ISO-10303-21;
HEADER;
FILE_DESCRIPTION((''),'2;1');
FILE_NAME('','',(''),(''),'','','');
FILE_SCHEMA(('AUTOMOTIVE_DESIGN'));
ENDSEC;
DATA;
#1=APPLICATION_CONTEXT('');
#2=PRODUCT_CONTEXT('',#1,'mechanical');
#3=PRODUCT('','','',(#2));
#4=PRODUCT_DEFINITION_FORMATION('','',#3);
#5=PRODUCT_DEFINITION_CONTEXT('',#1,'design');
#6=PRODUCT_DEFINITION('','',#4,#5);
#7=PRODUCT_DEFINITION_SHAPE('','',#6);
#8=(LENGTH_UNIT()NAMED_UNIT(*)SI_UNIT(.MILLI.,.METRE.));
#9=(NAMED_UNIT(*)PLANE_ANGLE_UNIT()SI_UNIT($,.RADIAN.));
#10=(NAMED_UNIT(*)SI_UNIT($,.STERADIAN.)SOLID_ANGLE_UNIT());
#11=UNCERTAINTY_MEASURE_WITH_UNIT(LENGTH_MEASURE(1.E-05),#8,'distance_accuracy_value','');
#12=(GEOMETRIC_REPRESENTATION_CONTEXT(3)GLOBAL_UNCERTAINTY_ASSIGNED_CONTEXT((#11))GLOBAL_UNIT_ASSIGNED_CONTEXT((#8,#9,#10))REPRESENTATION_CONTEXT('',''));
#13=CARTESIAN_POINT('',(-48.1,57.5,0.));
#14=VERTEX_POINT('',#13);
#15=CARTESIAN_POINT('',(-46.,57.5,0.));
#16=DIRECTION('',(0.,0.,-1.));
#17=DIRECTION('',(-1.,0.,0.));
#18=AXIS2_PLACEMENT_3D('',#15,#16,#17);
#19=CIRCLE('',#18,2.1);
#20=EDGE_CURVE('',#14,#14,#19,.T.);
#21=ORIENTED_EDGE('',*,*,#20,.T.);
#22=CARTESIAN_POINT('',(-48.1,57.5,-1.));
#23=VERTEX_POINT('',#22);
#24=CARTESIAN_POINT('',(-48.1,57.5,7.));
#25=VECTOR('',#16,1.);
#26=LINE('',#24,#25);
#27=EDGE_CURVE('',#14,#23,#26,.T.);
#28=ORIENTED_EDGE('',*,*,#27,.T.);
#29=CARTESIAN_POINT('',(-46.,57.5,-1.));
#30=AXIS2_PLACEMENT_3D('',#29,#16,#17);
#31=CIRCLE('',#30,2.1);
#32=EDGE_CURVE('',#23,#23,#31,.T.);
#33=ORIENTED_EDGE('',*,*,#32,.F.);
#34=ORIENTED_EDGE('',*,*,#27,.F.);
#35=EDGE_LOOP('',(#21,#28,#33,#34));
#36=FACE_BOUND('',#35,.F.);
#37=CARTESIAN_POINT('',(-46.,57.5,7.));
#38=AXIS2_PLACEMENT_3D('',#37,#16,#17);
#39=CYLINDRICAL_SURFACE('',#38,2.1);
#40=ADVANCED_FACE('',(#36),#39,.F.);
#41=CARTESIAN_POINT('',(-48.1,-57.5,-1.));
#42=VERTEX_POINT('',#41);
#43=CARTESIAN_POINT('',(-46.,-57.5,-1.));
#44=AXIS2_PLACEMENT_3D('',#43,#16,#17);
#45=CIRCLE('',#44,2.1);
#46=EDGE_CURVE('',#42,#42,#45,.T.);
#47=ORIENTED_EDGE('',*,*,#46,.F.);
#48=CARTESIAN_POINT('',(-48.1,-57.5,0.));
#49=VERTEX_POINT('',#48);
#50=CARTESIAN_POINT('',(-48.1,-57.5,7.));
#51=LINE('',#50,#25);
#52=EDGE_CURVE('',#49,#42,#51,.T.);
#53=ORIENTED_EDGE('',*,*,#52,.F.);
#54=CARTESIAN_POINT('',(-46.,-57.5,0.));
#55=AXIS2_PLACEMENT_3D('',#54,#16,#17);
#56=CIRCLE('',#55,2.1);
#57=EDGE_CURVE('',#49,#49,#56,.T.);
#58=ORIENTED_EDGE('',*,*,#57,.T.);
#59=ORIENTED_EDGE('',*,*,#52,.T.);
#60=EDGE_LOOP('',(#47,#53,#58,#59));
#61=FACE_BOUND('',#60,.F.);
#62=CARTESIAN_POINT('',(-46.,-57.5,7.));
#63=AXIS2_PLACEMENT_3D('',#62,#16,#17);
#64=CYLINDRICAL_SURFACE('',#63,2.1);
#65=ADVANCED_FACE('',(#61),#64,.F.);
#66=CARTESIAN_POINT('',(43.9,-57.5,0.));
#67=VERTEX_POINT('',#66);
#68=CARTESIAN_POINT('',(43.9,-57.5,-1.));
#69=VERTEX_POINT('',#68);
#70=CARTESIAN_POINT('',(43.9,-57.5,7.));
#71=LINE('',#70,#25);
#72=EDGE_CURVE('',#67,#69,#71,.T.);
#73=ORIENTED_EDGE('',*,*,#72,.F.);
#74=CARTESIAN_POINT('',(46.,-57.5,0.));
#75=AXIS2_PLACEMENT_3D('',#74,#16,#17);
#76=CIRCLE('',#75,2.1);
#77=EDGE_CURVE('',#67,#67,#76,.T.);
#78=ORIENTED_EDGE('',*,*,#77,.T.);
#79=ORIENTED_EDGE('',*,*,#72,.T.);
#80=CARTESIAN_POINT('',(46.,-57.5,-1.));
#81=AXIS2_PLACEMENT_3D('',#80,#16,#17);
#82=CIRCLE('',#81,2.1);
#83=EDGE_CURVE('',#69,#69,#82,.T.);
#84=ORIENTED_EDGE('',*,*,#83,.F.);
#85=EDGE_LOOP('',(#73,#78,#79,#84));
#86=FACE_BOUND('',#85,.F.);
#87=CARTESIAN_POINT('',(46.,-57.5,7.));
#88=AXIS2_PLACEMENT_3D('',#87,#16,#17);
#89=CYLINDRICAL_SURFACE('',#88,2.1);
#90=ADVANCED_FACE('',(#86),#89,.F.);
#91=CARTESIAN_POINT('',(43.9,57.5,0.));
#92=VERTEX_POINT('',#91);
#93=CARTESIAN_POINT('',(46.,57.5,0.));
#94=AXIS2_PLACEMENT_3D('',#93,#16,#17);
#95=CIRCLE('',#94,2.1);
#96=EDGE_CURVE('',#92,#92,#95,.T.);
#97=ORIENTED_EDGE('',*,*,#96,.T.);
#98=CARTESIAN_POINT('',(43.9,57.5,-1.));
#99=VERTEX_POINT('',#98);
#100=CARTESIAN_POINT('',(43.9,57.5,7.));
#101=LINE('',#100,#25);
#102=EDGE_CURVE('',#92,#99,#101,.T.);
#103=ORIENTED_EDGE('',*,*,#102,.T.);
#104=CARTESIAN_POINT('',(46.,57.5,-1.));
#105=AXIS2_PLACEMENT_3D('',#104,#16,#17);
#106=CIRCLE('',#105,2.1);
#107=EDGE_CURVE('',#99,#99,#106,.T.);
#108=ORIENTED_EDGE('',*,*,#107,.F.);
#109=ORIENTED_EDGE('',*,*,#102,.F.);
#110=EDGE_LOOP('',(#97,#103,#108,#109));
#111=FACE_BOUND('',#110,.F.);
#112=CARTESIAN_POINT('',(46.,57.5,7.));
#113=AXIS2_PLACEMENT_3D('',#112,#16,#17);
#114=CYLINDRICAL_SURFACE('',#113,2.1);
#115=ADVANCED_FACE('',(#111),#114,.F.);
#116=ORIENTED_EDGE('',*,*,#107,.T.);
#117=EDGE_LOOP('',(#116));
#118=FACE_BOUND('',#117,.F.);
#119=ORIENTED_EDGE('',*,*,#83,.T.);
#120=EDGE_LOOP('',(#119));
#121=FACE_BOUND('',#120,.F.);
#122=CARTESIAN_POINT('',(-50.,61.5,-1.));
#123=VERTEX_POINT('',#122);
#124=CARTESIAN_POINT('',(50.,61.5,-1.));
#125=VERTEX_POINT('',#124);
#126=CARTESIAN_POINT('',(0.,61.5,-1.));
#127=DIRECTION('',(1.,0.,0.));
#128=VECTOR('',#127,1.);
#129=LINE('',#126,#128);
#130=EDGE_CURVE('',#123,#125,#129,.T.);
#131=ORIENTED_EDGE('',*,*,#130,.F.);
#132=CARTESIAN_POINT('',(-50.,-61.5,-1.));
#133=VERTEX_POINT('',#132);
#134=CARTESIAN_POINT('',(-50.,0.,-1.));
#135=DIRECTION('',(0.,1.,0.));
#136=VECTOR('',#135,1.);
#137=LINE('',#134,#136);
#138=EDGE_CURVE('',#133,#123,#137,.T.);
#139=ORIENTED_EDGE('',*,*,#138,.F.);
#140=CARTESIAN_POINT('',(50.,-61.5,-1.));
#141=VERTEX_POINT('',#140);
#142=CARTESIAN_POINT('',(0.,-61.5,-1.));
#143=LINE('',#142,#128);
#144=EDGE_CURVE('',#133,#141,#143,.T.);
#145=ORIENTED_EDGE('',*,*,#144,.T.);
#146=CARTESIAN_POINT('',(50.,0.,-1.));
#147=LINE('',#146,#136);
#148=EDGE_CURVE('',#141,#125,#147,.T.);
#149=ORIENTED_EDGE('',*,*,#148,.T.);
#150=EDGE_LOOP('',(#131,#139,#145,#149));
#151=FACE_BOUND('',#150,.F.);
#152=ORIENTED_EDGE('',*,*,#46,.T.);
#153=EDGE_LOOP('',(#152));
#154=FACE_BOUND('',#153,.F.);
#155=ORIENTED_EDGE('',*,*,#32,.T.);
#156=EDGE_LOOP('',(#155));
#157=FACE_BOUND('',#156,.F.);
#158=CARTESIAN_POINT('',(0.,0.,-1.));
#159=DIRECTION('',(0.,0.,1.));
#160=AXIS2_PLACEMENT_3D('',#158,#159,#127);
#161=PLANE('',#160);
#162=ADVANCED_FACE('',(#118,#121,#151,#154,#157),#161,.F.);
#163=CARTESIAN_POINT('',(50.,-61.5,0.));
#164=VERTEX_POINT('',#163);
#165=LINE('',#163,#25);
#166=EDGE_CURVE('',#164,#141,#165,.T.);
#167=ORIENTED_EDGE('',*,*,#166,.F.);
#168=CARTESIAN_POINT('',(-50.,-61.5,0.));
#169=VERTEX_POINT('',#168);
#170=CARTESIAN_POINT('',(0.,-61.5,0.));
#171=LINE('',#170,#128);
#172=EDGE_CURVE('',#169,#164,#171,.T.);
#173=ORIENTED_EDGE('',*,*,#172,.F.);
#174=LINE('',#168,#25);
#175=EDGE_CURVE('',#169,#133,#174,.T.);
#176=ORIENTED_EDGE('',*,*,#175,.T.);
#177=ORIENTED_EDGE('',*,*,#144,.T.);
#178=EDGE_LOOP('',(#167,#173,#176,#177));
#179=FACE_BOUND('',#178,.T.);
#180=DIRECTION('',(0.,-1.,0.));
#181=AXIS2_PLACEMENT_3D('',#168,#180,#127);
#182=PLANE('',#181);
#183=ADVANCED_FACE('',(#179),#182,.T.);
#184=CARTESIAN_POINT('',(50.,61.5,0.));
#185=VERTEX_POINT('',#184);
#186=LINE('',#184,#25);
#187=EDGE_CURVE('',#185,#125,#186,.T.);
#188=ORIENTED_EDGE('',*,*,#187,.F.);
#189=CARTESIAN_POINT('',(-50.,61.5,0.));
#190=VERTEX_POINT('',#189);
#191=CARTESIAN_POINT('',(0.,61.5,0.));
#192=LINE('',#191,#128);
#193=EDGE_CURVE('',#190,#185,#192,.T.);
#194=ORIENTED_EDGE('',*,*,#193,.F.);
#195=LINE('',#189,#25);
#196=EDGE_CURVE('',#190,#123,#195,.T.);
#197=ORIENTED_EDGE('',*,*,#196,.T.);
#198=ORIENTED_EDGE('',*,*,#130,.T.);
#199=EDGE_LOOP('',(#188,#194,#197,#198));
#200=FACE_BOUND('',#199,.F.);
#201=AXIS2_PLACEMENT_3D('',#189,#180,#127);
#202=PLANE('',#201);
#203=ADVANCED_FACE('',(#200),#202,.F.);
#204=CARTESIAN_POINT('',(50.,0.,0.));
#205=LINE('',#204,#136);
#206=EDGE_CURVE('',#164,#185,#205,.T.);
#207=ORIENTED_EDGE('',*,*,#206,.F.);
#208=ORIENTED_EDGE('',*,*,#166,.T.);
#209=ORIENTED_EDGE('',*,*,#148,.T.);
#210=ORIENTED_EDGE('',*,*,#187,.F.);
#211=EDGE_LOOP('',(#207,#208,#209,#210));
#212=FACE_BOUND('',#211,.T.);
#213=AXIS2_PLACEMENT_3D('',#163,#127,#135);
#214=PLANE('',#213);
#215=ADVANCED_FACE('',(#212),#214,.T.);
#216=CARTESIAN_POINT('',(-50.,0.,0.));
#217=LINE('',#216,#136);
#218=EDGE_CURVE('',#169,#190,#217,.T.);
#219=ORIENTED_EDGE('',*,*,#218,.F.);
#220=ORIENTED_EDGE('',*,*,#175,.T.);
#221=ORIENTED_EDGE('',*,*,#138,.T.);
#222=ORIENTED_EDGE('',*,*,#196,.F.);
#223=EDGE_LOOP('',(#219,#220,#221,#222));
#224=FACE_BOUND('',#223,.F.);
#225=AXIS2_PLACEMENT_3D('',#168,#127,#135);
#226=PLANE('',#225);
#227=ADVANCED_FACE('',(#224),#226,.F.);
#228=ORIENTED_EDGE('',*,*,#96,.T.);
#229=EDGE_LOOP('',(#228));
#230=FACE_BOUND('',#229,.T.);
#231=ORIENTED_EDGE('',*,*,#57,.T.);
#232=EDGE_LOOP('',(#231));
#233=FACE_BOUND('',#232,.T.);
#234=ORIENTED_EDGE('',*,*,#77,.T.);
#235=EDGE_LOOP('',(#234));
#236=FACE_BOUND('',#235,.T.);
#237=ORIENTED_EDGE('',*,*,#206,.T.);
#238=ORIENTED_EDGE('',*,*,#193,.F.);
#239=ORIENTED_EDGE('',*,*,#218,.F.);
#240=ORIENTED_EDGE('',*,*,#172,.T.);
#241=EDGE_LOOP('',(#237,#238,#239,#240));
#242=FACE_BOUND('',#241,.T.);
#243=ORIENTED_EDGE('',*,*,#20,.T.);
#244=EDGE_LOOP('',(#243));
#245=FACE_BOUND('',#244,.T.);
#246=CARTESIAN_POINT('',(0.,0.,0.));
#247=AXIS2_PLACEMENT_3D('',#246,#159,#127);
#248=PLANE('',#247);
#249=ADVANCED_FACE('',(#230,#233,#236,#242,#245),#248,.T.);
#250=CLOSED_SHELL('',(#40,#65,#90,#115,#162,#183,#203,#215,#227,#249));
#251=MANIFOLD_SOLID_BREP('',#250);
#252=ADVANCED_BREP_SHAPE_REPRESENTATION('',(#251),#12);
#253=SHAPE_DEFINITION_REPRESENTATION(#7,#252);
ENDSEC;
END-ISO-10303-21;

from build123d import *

# Parameters (mm, degrees)
F0_W     = 100
F0_H     = 123
F1_DEPTH = 1
F2_D     = 4.2
F2_DEPTH = 7


with BuildPart() as f1:
    # F0 (on Top) → F1 (new body)
    with BuildSketch(Plane.XY):
        Rectangle(F0_W, F0_H)
    extrude(amount=-F1_DEPTH)

    # F2
    with Locations(Plane.XY):
        with Locations((-46, 57.5), (-46, -57.5), (46, -57.5), (46, 57.5)):
            Hole(F2_D / 2, depth=F2_DEPTH)


solid = f1.part
